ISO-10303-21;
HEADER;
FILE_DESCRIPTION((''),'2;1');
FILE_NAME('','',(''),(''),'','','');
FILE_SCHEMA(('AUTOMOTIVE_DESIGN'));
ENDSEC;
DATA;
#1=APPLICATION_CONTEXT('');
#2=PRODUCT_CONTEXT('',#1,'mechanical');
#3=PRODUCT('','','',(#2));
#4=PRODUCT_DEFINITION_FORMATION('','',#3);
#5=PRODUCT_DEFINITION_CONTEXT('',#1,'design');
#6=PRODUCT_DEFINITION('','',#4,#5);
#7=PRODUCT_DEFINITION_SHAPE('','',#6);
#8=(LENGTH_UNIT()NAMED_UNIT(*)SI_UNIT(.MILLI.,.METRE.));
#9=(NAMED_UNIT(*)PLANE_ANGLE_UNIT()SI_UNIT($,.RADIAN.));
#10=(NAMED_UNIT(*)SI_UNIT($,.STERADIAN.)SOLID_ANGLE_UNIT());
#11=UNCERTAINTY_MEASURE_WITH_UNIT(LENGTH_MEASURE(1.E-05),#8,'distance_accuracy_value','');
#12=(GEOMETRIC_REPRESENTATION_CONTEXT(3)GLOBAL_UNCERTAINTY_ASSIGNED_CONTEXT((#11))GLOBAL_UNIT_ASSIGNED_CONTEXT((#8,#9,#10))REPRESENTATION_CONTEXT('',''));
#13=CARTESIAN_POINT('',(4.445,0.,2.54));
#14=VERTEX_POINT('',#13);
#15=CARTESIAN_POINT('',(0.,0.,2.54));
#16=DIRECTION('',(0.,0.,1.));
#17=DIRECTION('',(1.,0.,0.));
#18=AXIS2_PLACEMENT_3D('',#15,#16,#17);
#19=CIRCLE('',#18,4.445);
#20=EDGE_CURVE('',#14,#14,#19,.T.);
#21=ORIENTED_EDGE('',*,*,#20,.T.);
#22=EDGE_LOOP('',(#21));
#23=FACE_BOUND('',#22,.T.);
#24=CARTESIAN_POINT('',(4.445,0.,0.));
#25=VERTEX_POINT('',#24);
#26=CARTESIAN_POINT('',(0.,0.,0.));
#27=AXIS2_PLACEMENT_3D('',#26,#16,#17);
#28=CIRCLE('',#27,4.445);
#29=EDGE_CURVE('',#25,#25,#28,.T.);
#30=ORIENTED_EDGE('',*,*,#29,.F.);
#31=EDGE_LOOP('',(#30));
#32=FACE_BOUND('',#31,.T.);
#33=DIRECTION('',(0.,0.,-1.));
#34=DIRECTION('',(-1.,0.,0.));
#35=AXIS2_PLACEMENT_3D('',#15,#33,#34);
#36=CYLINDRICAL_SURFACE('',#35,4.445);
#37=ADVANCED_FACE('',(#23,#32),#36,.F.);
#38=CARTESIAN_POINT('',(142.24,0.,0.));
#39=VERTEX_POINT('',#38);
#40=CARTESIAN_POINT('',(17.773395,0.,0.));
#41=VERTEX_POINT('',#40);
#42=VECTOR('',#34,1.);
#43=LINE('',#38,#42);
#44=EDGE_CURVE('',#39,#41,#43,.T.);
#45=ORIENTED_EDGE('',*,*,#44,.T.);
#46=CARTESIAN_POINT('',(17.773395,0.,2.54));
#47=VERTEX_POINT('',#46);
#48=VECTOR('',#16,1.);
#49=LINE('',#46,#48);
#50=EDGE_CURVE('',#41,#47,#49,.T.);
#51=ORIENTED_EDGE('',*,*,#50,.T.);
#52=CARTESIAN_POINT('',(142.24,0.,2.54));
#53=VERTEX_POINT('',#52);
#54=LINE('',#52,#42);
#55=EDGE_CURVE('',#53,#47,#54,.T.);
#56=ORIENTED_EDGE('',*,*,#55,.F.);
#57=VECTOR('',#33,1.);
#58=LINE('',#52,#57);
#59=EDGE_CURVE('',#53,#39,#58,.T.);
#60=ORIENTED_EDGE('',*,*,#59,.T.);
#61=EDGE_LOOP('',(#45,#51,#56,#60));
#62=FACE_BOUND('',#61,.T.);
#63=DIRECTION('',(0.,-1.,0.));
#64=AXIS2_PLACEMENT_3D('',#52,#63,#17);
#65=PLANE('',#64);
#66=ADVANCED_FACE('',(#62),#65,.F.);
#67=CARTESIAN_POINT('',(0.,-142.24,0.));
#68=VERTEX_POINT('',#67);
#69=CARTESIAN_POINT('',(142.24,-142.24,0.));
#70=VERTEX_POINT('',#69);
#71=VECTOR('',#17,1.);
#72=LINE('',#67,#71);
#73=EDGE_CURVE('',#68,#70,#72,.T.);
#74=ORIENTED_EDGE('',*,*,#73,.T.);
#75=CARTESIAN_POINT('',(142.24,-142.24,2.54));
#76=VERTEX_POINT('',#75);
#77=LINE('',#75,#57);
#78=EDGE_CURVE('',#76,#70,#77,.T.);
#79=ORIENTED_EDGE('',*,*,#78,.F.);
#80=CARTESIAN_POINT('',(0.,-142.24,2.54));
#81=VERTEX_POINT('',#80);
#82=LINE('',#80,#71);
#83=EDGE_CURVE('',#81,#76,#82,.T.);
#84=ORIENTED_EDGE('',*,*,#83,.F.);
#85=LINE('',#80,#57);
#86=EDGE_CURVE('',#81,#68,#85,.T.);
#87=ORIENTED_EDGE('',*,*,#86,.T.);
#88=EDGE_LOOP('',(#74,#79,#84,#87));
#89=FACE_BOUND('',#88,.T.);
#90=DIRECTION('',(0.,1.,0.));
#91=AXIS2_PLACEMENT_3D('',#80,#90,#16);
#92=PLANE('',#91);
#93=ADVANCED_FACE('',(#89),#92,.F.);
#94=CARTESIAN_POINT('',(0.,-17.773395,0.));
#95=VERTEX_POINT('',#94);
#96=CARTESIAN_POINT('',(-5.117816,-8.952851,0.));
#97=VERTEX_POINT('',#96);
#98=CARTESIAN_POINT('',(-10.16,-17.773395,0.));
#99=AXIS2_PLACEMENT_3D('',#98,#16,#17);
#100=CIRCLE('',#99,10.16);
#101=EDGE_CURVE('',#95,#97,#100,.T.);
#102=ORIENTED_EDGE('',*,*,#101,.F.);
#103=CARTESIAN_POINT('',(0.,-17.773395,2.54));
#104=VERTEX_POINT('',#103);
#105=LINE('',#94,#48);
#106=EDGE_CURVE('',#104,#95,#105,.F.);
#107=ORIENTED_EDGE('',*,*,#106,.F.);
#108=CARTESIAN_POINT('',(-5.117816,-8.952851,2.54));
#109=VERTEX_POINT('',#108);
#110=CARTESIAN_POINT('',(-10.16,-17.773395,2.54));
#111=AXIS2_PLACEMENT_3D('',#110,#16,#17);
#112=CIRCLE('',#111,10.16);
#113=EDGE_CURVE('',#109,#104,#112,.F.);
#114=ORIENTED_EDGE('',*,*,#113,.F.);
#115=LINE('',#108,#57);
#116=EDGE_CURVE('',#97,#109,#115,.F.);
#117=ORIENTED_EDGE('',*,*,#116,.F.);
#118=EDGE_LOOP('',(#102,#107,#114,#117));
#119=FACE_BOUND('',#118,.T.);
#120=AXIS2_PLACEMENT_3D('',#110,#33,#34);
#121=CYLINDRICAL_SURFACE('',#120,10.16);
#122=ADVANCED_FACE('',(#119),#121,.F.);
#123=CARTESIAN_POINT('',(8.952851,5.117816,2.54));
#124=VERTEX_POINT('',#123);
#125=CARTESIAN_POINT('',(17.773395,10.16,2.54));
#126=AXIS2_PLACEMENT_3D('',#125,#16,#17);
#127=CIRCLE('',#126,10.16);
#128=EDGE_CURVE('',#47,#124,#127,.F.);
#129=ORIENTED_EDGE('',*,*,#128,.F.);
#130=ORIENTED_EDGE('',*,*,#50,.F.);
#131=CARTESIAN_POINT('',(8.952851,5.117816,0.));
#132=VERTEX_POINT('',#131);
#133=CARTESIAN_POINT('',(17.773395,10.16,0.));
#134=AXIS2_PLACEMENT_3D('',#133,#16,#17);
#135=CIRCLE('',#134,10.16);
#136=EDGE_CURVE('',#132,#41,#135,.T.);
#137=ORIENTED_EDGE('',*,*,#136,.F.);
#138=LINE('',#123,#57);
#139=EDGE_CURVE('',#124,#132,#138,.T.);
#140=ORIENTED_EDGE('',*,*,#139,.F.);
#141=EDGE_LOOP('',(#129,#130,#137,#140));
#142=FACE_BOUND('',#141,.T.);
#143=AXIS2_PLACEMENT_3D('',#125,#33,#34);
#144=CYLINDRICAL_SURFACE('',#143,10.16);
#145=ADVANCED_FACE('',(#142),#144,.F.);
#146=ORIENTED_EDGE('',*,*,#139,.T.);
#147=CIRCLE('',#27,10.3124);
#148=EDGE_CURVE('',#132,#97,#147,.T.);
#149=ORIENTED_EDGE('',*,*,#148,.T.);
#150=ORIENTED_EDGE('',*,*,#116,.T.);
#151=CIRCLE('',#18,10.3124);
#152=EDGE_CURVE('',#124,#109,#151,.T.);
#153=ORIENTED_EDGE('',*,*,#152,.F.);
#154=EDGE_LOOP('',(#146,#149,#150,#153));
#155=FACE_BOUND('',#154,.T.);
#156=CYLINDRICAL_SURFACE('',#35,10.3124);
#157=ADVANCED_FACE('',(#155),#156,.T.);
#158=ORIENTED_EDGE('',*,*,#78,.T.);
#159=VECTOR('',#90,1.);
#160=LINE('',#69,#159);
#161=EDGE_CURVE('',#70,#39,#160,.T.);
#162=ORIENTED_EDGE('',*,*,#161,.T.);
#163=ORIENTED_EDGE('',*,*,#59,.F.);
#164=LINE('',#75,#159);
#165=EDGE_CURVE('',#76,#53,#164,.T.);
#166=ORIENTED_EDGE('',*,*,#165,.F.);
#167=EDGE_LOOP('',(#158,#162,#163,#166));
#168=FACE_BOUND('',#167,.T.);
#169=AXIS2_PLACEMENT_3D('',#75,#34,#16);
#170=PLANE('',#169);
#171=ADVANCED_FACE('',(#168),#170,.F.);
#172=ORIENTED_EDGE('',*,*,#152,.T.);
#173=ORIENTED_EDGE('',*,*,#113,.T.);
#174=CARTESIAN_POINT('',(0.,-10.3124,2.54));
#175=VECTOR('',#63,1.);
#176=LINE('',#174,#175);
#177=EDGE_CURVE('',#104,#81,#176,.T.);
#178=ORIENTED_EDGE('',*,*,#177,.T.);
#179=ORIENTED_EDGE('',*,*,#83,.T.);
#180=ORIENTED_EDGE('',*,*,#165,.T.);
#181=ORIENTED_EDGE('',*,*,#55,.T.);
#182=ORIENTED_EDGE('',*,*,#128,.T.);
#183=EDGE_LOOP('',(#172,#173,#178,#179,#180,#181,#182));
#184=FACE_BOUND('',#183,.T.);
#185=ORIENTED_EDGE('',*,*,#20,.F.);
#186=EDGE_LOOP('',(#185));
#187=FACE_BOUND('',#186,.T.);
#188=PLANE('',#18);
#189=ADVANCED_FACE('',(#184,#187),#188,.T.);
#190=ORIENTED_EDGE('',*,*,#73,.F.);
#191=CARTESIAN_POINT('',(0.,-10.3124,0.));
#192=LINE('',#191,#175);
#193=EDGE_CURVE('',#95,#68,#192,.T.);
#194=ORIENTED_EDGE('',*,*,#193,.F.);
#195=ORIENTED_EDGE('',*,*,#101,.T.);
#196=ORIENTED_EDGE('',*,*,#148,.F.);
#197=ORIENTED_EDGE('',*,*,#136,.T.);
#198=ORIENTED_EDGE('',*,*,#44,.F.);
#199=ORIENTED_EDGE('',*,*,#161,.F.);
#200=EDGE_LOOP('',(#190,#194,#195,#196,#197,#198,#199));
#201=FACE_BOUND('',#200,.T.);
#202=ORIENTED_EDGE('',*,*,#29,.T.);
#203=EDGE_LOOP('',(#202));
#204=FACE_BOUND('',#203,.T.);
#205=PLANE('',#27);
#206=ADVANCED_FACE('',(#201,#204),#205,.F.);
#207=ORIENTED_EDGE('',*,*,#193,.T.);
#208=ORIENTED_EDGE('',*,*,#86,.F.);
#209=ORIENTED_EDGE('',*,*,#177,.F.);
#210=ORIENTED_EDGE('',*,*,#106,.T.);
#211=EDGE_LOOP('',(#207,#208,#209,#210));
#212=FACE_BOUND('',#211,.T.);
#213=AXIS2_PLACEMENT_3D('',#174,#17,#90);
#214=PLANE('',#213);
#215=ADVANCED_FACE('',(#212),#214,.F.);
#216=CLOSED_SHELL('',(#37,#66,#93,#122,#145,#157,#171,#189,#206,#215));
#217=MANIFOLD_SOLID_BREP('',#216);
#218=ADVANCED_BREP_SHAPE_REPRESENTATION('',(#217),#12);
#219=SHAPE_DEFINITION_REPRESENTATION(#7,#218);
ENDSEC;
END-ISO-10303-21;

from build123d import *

# Parameters (mm, degrees)
SKETCH1_R           = 4.445
BOSS_EXTRUDE1_DEPTH = 2.54
FILLET1_R           = 10.16


with BuildPart() as part:
    # Sketch1 → Boss-Extrude1 (new body)
    with BuildSketch(Plane.XY):
        with BuildLine():
            Line((0, -10.3124), (0, -142.24))
            Line((0, -142.24), (142.24, -142.24))
            Line((142.24, -142.24), (142.24, 0))
            Line((142.24, 0), (10.3124, 0))
            ThreePointArc((10.3124, 0), (-7.29196797, 7.29196797), (0, -10.3124))
        make_face()
        Circle(SKETCH1_R, mode=Mode.SUBTRACT)
    extrude(amount=BOSS_EXTRUDE1_DEPTH)

    # Fillet1
    fillet1_edges = [part.edges().sort_by_distance(p)[0] for p in [
        (0, -10.3124, 1.27),
        (10.3124, 0, 1.27),
    ]]
    fillet(fillet1_edges, radius=FILLET1_R)


solid = part.part
